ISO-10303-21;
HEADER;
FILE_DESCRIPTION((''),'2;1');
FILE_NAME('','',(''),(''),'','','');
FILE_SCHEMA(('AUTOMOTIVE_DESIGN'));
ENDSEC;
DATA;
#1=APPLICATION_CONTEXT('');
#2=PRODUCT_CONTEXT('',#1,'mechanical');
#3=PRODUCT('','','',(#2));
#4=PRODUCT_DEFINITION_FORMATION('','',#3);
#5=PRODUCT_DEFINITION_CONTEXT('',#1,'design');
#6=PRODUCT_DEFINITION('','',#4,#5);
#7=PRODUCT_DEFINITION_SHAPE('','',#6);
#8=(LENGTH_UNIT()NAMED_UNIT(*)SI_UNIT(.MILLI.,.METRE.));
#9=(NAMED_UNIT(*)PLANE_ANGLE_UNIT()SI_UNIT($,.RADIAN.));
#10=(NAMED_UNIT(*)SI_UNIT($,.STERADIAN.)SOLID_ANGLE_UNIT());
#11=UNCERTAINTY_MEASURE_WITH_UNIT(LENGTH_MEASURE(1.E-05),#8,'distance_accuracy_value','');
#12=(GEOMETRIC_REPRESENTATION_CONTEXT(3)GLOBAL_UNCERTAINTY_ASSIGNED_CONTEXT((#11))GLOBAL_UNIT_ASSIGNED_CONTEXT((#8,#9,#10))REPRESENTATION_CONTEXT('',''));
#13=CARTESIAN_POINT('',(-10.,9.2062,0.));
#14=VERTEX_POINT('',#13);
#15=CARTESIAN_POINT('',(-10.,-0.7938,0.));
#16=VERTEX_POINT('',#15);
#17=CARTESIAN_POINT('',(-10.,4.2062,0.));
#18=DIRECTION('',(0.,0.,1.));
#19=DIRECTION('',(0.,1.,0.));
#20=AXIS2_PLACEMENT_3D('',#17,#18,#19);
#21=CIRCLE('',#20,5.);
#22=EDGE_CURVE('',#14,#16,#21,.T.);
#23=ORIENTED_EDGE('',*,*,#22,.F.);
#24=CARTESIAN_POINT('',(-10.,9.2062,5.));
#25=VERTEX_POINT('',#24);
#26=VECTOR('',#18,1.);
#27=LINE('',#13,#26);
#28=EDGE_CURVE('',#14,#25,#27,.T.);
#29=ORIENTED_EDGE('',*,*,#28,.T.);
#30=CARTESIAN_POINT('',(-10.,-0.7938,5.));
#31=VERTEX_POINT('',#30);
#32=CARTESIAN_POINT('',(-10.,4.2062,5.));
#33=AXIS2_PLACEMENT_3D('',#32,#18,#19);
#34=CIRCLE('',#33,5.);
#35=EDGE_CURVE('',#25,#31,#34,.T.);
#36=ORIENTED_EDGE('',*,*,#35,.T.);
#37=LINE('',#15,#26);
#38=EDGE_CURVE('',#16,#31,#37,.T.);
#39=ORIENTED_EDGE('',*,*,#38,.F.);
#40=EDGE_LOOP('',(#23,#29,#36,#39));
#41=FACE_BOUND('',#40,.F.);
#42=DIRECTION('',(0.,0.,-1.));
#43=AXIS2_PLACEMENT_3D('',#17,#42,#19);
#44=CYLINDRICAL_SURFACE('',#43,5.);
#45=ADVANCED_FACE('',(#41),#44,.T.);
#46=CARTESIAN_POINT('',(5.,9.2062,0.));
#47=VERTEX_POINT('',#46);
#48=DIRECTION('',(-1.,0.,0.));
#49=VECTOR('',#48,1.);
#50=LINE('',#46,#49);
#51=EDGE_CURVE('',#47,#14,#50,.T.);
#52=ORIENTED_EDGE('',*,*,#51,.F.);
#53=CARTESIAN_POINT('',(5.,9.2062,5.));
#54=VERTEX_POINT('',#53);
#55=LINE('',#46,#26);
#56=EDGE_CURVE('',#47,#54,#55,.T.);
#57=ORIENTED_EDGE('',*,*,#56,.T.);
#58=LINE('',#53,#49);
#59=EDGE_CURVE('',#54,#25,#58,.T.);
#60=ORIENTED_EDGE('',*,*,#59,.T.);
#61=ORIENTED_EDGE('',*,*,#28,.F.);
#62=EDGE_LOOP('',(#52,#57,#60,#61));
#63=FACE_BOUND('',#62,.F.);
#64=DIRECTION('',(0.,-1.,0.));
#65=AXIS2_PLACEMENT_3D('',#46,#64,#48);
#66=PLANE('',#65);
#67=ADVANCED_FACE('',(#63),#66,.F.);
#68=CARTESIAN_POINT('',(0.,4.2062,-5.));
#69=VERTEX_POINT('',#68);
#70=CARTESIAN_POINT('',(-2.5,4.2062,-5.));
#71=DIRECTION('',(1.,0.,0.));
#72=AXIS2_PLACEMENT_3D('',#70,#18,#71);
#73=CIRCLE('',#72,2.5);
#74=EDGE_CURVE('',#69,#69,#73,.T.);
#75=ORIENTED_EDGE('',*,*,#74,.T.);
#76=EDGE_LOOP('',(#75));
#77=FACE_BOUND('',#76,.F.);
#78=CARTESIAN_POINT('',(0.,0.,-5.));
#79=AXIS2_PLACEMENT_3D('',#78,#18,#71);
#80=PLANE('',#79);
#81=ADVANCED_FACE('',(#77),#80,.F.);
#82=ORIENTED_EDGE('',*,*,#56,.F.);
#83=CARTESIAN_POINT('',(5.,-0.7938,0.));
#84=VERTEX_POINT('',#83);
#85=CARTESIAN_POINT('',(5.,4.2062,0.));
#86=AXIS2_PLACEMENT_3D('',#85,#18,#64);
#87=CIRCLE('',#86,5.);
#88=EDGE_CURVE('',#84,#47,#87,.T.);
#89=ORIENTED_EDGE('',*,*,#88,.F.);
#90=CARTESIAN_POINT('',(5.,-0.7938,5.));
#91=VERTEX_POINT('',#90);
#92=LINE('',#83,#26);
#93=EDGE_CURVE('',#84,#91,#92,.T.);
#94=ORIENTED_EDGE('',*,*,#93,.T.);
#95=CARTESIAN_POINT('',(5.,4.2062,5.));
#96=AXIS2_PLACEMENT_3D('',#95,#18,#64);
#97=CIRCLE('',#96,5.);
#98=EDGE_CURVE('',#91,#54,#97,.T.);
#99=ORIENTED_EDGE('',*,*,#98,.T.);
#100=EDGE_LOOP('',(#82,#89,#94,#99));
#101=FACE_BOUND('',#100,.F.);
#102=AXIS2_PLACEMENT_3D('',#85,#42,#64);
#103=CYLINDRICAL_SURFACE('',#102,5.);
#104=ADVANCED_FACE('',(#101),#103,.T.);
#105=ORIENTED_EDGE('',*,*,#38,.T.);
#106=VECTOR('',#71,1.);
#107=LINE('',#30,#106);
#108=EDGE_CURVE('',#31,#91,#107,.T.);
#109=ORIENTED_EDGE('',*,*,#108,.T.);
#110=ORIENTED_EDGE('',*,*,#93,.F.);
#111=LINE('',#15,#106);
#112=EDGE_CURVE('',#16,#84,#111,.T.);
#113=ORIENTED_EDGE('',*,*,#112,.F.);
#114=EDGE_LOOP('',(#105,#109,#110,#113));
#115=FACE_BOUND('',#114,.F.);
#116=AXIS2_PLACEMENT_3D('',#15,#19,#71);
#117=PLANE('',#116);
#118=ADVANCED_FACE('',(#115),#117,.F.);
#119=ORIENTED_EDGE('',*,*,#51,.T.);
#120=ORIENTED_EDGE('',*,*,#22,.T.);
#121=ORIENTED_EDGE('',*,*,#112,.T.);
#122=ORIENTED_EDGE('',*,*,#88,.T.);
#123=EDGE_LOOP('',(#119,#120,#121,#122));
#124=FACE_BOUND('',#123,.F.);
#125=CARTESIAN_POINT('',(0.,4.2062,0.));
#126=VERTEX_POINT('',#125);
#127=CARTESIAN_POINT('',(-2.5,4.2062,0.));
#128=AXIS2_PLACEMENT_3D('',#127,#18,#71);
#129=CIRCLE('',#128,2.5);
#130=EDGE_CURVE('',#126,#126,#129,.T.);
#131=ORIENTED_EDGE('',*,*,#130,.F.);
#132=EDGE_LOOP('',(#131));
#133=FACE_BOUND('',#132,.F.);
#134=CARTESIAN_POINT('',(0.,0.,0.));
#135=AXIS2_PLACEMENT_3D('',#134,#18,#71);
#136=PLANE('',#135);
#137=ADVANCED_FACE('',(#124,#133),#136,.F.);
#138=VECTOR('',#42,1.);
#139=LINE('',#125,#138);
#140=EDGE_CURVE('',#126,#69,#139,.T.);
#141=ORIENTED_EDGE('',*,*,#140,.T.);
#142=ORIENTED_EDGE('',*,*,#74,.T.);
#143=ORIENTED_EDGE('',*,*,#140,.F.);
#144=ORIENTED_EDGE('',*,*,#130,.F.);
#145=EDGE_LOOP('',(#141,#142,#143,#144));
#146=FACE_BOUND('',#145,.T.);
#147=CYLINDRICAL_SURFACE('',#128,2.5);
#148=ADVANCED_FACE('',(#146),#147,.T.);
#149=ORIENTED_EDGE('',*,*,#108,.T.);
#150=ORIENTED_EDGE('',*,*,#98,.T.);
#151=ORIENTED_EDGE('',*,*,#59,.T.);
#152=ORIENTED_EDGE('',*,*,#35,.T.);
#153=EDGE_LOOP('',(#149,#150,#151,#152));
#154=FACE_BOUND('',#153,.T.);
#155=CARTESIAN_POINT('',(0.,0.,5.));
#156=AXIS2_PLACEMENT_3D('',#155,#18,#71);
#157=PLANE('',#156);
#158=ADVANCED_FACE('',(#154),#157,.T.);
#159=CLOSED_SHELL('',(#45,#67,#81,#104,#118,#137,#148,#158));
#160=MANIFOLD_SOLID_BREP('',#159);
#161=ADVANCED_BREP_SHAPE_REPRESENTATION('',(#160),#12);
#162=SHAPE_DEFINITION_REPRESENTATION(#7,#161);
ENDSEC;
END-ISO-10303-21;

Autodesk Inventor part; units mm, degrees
ref_plane "YZ Plane" through (0, 0, 0) normal (1, 0, 0) x (0, 1, 0)
ref_plane "XZ Plane" through (0, 0, 0) normal (0, 1, 0) x (-1, 0, 0)
ref_plane "XY Plane" through (0, 0, 0) normal (0, 0, 1) x (1, 0, 0)
sketch "Sketch1" plane through (0, 0, 0) normal (0, 0, 1) x (1, 0, 0)
  line L0 (-10, 4.2062) -> (5, 4.2062) construction
  line L1 (-10, -0.7938) -> (5, -0.7938)
  line L2 (5, 9.2062) -> (-10, 9.2062)
  arc A0 (-10, 9.2062) -> (-10, -0.7938) centre (-10, 4.2062) ccw
  arc A1 (5, -0.7938) -> (5, 9.2062) centre (5, 4.2062) ccw
  circle A2 centre (-2.5, 4.2062) radius 2.5
  point P0 (0, 0)
  dimension "d0" = 10
  dimension "d1" = 5
  dimension "d11" = 15
extrude "Extrusion3" add sketch "Sketch1" along normal blind 5 contours A0 L2 A1 L1 | A2
extrude "Extrusion4" add sketch "Sketch1" against normal blind 5 contours A2
properties material "Copper, Alloy"
